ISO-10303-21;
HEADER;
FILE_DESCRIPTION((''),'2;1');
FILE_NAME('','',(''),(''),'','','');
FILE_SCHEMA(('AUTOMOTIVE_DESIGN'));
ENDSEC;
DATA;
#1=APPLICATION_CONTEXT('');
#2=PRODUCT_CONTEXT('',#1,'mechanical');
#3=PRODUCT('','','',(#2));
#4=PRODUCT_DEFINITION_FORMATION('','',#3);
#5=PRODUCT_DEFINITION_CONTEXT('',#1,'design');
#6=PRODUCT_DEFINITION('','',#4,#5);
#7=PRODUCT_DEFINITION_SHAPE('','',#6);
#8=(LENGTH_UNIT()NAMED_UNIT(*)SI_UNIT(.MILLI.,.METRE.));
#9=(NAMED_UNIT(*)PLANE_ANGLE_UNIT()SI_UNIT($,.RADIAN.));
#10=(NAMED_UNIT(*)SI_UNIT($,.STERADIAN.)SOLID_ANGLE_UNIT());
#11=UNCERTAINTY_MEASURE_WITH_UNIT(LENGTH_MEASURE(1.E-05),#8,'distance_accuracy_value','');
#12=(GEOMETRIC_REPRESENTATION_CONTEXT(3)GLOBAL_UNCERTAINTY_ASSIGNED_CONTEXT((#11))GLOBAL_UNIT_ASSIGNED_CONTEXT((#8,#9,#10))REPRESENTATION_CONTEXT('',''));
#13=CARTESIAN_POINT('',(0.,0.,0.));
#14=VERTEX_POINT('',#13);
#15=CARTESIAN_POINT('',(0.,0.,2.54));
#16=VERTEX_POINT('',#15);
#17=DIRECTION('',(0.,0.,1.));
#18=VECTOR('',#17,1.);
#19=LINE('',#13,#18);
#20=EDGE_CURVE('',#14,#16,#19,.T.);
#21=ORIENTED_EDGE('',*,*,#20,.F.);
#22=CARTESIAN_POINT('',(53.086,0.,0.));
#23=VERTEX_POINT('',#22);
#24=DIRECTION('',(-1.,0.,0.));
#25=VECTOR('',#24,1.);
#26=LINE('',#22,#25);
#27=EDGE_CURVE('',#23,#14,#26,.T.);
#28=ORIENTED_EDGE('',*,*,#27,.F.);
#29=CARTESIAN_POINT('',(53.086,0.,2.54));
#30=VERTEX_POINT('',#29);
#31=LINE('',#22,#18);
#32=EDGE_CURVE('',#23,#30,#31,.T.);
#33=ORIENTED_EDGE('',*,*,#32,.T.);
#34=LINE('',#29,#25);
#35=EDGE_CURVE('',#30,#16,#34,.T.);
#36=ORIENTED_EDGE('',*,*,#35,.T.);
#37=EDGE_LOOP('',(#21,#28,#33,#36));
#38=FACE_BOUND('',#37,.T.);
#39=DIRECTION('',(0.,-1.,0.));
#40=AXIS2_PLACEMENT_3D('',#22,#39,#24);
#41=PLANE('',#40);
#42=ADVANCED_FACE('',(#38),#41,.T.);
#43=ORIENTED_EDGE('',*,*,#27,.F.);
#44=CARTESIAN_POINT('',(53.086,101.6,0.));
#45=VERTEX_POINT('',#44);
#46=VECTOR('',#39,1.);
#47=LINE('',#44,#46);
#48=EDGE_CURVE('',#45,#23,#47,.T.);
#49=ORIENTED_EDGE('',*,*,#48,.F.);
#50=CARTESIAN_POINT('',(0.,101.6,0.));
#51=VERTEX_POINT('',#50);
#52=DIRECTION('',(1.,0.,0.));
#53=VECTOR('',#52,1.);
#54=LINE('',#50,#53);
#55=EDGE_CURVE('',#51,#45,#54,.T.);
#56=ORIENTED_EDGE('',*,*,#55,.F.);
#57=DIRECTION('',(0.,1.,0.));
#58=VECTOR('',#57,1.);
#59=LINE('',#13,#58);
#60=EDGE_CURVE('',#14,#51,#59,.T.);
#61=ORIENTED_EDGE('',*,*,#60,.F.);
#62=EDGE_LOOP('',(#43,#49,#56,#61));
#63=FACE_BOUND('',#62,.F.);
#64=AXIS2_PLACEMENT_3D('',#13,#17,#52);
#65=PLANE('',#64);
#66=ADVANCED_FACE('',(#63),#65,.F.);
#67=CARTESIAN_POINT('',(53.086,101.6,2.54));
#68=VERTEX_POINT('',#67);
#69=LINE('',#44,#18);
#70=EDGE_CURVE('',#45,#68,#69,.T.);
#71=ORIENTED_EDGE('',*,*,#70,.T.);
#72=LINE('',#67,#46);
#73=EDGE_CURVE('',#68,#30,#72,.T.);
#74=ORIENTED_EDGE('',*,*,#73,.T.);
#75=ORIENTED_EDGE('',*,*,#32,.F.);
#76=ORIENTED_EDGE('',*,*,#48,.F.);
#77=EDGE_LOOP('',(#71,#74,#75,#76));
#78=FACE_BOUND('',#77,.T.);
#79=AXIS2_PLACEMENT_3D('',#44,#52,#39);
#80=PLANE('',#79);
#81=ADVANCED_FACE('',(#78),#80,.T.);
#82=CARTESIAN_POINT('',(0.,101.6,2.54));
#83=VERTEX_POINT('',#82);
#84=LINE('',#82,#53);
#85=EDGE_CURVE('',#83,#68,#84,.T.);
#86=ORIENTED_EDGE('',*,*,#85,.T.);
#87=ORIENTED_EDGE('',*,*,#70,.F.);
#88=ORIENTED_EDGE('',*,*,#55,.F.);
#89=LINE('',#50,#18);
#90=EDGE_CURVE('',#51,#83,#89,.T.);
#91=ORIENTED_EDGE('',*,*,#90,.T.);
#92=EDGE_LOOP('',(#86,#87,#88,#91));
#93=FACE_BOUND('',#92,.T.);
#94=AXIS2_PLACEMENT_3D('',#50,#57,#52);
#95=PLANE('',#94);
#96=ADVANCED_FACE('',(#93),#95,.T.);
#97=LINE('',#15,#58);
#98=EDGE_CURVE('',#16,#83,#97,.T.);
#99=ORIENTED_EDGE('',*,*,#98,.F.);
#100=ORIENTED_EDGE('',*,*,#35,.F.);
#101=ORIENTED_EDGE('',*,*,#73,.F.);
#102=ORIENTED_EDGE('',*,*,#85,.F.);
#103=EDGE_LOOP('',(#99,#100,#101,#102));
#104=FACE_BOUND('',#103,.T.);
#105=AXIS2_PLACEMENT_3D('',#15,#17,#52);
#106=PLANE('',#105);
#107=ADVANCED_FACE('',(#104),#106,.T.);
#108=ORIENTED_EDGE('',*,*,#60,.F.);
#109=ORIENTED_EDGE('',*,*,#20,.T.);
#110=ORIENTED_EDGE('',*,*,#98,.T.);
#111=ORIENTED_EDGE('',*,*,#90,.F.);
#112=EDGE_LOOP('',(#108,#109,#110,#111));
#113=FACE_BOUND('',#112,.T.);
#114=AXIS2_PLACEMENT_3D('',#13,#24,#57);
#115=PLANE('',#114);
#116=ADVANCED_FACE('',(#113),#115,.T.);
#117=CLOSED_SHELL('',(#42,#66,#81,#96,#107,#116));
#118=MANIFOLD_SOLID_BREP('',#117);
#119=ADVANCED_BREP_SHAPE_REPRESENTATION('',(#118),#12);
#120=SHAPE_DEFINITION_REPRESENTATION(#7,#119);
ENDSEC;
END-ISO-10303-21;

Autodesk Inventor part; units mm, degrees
ref_plane "YZ Plane" through (0, 0, 0) normal (1, 0, 0) x (0, 1, 0)
ref_plane "XZ Plane" through (0, 0, 0) normal (0, 1, 0) x (-1, 0, 0)
ref_plane "XY Plane" through (0, 0, 0) normal (0, 0, 1) x (1, 0, 0)
sketch "Sketch1" plane through (0, 0, 0) normal (0, 0, 1) x (1, 0, 0)
  line L0 (0, 0) -> (0, 101.6)
  line L1 (0, 101.6) -> (53.086, 101.6)
  line L2 (53.086, 101.6) -> (53.086, 0)
  line L3 (53.086, 0) -> (0, 0)
  dimension "d0" = 101.6
  dimension "d1" = 53.086
extrude "Extrusion1" add sketch "Sketch1" along normal blind 2.54
sketch "Sketch2" plane through (0, 0, 2.54) normal (0, 0, 1) x (1, 0, 0)
  line L0 (8.9572, 57.2265) -> (45.6416, 57.2265) construction
  line L1 (45.6416, 57.2265) -> (45.6416, 22.0966) construction
  line L2 (45.6416, 22.0966) -> (8.9572, 22.0966) construction
  line L3 (8.9572, 22.0966) -> (8.9572, 57.2265) construction
  point P0 (0, 0)
properties part number "mega_sketch"
